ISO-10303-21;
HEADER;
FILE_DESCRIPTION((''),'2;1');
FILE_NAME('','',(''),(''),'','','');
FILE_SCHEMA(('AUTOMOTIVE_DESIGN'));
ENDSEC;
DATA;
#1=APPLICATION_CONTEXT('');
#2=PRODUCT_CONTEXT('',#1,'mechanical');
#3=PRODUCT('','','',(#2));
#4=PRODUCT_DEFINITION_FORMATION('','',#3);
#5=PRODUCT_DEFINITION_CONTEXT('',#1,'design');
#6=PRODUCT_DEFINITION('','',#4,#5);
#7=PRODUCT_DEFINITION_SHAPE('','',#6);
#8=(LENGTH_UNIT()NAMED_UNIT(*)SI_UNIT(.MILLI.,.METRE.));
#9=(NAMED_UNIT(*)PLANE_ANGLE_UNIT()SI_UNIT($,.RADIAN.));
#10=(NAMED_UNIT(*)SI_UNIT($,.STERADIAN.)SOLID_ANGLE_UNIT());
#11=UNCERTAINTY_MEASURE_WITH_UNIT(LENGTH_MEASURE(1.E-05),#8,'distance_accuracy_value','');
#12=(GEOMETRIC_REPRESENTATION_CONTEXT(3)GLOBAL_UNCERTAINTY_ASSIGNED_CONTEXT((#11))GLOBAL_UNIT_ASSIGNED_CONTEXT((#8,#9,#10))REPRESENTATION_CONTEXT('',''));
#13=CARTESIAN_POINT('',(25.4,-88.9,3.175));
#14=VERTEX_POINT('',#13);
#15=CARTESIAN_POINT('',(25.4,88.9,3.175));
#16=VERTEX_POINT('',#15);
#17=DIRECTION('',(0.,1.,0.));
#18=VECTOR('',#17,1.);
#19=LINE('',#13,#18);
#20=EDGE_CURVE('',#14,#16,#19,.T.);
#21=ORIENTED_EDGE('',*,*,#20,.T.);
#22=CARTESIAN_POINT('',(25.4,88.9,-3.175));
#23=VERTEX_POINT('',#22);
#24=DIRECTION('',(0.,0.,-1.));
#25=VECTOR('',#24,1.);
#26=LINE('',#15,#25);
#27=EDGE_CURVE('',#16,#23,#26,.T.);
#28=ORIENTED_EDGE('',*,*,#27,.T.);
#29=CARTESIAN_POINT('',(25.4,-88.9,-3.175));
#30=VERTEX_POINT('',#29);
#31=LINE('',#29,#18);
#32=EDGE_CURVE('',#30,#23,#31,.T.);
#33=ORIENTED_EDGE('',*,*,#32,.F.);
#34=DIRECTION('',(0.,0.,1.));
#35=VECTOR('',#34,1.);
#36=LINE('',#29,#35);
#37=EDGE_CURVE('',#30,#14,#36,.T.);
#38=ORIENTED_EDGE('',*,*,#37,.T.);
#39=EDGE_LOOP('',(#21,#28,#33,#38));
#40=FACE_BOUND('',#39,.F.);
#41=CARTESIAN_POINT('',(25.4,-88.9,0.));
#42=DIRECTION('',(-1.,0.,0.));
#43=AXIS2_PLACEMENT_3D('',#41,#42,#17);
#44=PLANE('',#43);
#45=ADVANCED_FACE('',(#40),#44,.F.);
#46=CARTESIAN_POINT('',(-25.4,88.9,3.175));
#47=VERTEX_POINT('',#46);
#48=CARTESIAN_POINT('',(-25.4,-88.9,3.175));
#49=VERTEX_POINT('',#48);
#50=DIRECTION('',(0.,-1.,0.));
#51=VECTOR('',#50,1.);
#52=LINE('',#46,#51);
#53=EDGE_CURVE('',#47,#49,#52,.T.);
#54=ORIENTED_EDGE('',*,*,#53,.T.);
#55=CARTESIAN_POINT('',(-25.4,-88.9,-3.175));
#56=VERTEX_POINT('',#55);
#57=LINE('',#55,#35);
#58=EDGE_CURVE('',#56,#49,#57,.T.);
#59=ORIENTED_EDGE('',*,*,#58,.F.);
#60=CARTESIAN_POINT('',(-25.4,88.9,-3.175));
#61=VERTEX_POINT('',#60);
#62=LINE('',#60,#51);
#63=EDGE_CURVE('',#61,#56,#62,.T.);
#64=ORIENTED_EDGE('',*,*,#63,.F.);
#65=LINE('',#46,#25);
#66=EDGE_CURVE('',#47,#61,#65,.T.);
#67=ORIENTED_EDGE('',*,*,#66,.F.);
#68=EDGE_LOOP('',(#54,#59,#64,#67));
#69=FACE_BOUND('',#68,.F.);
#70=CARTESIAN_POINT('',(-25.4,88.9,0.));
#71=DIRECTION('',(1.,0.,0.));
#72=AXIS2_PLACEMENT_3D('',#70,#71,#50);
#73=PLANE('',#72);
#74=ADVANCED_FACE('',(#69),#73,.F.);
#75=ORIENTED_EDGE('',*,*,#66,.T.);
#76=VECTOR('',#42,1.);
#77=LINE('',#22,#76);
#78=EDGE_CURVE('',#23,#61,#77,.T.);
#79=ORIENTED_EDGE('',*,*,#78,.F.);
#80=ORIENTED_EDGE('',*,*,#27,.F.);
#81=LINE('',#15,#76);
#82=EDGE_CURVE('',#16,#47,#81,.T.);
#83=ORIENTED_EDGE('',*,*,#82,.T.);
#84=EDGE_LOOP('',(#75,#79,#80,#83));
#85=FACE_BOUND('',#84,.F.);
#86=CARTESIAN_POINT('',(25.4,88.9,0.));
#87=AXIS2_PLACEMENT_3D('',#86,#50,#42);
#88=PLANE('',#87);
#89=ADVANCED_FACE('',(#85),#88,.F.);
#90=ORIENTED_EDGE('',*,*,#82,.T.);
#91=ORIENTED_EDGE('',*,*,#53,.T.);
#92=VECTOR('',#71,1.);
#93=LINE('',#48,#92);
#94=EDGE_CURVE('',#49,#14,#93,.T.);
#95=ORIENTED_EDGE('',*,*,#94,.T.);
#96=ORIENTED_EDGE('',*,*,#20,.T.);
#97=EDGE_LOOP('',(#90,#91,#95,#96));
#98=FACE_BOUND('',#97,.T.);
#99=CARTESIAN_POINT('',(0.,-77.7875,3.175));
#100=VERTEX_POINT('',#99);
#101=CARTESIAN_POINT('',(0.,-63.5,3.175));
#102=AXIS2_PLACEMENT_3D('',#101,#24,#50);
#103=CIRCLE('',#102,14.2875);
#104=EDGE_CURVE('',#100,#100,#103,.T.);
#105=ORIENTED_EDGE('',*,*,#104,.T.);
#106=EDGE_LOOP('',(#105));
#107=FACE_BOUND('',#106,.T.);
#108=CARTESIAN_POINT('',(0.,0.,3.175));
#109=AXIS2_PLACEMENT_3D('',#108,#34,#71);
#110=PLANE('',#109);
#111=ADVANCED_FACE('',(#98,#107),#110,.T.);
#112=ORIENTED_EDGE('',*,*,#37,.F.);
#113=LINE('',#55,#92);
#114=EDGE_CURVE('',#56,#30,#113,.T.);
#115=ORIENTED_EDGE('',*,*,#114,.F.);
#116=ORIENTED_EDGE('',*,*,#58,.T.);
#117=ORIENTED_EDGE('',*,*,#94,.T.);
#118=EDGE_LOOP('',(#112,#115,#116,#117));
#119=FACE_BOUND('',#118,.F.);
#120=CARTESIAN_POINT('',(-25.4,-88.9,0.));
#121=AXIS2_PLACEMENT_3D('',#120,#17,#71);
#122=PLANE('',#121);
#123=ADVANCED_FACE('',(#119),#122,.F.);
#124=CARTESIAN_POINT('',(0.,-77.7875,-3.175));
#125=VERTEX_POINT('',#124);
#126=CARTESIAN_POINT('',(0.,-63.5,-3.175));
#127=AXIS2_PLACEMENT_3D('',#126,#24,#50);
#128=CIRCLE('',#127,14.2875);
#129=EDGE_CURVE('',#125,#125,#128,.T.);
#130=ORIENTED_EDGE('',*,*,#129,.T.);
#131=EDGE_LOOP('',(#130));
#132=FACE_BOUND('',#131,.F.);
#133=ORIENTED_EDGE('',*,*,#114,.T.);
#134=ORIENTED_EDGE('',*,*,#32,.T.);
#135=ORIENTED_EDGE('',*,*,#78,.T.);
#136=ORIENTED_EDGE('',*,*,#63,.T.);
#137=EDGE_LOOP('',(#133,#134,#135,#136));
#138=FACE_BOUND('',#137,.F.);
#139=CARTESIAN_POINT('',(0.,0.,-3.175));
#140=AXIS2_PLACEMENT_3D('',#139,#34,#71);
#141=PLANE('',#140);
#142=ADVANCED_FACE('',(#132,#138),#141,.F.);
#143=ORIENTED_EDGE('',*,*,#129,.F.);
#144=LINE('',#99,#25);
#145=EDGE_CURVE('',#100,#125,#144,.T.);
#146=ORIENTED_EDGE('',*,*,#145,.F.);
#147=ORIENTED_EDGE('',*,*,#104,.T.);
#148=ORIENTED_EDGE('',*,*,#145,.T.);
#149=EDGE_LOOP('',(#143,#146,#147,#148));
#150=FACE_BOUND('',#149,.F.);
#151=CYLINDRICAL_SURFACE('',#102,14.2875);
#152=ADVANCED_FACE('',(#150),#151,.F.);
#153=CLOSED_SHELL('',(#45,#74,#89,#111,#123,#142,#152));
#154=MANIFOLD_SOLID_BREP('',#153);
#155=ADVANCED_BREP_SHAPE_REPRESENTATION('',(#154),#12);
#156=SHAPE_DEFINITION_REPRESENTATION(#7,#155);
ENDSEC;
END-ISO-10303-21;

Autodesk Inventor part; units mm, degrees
ref_plane "YZ Plane" through (0, 0, 0) normal (1, 0, 0) x (0, 1, 0)
ref_plane "XZ Plane" through (0, 0, 0) normal (0, 1, 0) x (-1, 0, 0)
ref_plane "XY Plane" through (0, 0, 0) normal (0, 0, 1) x (1, 0, 0)
sketch "Sketch1" plane through (0, 0, 0) normal (0, 0, 1) x (1, 0, 0)
  line L0 (-25.4, -88.9) -> (25.4, -88.9)
  line L1 (25.4, -88.9) -> (25.4, 88.9)
  line L2 (25.4, 88.9) -> (-25.4, 88.9)
  line L3 (-25.4, 88.9) -> (-25.4, -88.9)
  line L4 (-25.4, -88.9) -> (25.4, 88.9) construction
  line L5 (25.4, -88.9) -> (-25.4, 88.9) construction
  point P0 (0, 0)
  dimension "width" = 50.8
  dimension "length" = 177.8
extrude "Extrusion1" add sketch "Sketch1" along normal mid plane 6.35
sketch "Sketch2" plane through (0, 0, 3.175) normal (0, 0, 1) x (1, 0, 0)
  line L0 (-25.4, -88.9) -> (-25.4, 88.9) construction
  line L1 (-25.4, 88.9) -> (25.4, 88.9) construction
  line L2 (25.4, 88.9) -> (25.4, -88.9) construction
  line L3 (25.4, -88.9) -> (-25.4, -88.9) construction
  point P0 (0, 0)
  point P1 (0, -63.5)
  point P2 (0, -88.9)
  dimension "d4" = 25.4
hole "Hole1" at (0, -63.5, 3.175) direction (0, 0, -1) diameter 28.575 end through all
properties part number "CL6-003" material "Aluminum 6061"
